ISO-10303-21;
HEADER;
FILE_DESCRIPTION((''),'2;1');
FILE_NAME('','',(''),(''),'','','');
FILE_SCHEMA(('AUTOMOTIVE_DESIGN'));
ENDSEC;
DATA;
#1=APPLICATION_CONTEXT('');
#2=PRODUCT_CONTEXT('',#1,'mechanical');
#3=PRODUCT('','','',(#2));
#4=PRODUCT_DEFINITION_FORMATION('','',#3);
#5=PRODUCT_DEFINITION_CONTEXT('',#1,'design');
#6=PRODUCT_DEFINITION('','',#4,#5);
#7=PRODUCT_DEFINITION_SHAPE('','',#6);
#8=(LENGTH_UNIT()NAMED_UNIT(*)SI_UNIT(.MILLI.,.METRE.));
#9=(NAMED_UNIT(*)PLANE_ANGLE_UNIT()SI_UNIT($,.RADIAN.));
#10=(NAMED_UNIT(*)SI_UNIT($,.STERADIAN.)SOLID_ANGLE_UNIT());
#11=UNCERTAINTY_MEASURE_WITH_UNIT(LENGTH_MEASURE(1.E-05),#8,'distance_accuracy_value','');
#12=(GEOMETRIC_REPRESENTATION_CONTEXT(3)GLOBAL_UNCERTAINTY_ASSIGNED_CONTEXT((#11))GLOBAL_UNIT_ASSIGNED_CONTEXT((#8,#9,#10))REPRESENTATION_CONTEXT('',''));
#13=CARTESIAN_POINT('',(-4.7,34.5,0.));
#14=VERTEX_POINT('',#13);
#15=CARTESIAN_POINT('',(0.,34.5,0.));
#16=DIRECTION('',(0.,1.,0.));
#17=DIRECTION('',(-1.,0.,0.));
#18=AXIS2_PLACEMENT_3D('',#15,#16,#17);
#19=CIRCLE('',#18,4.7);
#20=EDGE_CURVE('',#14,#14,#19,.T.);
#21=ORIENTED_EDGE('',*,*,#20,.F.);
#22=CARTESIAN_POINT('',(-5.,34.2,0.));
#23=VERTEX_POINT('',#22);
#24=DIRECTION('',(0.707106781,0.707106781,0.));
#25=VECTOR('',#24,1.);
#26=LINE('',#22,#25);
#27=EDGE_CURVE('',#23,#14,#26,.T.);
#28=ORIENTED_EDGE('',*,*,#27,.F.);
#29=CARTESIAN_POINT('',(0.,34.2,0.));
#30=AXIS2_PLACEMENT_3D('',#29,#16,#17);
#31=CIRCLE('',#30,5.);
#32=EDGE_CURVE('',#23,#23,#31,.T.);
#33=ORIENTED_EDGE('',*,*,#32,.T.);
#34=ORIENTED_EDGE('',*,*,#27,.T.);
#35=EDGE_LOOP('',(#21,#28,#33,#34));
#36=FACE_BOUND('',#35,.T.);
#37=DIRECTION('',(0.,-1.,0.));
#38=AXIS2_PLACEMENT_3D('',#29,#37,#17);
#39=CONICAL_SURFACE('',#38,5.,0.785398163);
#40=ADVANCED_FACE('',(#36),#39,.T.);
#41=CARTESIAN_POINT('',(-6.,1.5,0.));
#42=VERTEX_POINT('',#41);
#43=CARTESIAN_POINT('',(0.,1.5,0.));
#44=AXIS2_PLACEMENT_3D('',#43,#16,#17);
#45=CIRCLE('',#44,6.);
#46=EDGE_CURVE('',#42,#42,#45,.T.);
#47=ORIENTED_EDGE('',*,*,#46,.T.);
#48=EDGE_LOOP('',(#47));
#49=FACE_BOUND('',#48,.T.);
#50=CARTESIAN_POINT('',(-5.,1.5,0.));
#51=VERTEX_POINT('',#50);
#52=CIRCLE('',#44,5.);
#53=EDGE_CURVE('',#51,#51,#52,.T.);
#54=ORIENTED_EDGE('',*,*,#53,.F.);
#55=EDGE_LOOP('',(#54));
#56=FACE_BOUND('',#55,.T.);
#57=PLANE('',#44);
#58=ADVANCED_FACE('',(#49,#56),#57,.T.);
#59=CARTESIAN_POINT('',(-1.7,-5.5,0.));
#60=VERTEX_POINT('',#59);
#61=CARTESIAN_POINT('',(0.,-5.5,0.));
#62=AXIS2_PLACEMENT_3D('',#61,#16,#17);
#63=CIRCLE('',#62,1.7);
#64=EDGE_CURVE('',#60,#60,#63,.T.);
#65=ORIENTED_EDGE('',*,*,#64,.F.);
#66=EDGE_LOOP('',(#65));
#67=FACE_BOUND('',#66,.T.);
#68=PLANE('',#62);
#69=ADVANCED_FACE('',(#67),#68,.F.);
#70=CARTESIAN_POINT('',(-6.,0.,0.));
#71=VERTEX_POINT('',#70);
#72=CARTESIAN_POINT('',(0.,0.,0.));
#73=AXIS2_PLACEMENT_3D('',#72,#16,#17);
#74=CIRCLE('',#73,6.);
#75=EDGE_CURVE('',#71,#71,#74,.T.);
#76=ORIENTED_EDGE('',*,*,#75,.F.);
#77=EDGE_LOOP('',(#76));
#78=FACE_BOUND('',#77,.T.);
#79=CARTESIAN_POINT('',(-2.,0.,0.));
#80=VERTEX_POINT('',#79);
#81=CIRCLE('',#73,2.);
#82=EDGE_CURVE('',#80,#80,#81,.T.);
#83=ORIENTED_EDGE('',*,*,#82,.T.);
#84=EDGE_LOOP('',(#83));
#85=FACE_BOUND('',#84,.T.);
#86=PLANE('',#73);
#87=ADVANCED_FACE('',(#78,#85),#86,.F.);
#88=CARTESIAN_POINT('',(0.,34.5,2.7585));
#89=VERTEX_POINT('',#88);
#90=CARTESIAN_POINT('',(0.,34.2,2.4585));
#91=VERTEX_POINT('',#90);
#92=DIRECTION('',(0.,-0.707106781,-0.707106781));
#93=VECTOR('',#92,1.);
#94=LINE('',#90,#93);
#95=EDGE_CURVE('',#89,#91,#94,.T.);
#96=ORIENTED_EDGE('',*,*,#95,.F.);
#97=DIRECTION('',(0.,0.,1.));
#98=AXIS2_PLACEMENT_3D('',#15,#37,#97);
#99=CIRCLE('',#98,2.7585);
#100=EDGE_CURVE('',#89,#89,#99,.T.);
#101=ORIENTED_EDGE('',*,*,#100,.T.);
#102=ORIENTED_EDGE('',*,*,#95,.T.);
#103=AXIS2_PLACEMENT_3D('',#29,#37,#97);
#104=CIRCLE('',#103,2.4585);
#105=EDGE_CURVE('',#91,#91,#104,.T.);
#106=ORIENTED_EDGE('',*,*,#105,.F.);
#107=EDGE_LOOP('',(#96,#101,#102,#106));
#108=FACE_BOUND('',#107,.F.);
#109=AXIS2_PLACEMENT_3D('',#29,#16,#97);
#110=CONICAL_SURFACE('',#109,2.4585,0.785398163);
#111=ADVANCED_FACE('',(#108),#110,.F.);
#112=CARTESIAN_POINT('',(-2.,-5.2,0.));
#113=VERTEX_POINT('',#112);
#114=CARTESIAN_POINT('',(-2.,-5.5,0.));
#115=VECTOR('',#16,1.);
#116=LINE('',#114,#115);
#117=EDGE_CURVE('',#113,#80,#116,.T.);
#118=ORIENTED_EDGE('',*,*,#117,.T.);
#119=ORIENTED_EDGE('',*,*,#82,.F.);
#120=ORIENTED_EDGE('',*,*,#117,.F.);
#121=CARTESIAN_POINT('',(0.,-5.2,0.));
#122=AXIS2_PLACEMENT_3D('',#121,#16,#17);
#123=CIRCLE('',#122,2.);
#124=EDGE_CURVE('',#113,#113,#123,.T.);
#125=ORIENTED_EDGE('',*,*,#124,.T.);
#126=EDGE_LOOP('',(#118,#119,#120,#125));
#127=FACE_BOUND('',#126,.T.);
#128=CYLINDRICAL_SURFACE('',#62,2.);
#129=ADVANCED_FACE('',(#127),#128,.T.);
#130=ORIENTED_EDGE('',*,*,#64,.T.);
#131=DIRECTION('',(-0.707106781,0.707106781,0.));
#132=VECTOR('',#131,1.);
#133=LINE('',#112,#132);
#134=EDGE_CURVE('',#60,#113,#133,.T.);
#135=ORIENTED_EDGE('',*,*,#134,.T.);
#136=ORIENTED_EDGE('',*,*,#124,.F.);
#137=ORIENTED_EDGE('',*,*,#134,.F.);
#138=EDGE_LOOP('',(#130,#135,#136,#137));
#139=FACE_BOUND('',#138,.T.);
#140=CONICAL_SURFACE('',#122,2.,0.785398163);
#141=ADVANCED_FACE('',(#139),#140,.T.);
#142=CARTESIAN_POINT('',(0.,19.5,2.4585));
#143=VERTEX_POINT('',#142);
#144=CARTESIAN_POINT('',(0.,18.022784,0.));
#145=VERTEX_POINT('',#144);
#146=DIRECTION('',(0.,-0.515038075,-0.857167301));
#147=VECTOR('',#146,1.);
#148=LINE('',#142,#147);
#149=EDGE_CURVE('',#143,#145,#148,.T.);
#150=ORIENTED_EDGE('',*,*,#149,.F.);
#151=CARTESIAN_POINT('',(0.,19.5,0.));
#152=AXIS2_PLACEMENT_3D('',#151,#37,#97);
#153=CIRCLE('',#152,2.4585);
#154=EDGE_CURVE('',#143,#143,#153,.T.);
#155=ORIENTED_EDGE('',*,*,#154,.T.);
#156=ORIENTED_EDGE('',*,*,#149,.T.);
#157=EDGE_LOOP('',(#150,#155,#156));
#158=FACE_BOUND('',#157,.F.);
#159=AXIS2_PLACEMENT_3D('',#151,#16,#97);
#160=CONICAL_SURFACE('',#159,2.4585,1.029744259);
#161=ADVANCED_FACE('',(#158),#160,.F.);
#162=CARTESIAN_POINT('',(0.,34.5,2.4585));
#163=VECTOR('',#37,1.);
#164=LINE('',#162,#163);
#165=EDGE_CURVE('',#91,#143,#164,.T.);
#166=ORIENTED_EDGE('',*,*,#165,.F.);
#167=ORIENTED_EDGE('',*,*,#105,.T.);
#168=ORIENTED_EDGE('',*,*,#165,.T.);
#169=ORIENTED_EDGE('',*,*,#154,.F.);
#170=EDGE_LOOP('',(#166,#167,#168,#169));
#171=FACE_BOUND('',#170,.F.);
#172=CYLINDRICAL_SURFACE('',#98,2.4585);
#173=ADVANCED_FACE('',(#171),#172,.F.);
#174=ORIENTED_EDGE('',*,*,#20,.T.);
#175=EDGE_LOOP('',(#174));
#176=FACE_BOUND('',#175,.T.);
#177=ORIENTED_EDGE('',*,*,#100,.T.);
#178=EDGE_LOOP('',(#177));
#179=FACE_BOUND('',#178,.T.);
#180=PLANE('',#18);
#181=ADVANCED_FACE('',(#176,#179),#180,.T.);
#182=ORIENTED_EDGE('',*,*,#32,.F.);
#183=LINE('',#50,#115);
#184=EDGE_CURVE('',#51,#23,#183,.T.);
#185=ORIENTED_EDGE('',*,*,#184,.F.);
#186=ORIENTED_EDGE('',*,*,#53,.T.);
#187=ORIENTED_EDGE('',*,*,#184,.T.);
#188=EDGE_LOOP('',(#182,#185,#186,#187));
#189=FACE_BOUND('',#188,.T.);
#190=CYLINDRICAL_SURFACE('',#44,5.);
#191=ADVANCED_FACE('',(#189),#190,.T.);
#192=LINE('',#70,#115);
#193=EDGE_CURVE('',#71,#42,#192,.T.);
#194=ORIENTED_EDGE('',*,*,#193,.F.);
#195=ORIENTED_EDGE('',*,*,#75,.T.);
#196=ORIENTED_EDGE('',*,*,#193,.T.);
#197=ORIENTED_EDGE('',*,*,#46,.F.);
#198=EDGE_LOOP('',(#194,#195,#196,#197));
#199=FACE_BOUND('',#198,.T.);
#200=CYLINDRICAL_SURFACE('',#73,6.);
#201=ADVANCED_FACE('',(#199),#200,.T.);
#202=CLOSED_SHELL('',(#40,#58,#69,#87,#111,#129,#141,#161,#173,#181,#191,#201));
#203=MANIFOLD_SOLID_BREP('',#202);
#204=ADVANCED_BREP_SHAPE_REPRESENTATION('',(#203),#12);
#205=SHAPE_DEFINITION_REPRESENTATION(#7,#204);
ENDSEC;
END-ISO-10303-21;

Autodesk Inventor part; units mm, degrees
ref_plane "YZ Plane" through (0, 0, 0) normal (1, 0, 0) x (0, 1, 0)
ref_plane "XZ Plane" through (0, 0, 0) normal (0, 1, 0) x (-1, 0, 0)
ref_plane "XY Plane" through (0, 0, 0) normal (0, 0, 1) x (1, 0, 0)
sketch "Esboço1" plane through (0, 0, 0) normal (0, 0, 1) x (1, 0, 0)
  line L0 (-7.2, 0) -> (1.2, 0) construction
  line L1 (0, -13.5) -> (0, 42.5) construction
  line L2 (0, 34.5) -> (0, -5.5)
  line L3 (0, -5.5) -> (-2, -5.5)
  line L4 (-2, -5.5) -> (-2, 0)
  line L5 (-2, 0) -> (-6, 0)
  line L6 (-6, 0) -> (-6, 1.5)
  line L7 (-6, 1.5) -> (-5, 1.5)
  line L8 (-5, 1.5) -> (-5, 34.5)
  line L9 (-5, 34.5) -> (0, 34.5)
  point P0 (0, 0)
  dimension "d0" = 10
  dimension "d1" = 12
  dimension "d2" = 1.5
  dimension "d3" = 5.5
  dimension "d4" = 33
  dimension "d7" = 4
  dimension "d21" = 40
revolve "Revolução1" add sketch "Esboço1" angle 360 about axis through (0, -10, 0) along (0, 1, 0)
sketch "Esboço2" plane through (0, 34.5, 0) normal (0, 1, 0) x (1, 0, 0)
  circle A0 centre (0, 0) radius 5 projected
hole "Furo1" at (0, 34.5, 0) direction (0, -1, 0) diameter 4.917 depth 15 tip angle 118 thread size "M6x1" class "6H" standard "ISO Metric profile"
thread "Rosca1" size "M4x0.7" class "6g" standard "ANSI Metric M Profile" length 5
chamfer "Chanfro1" distance 0.3 angle 45 3 edges at (2, -5.5, 0) (5, 34.5, 0) (0, 34.5, -2.4585)
properties part number "Compensador Haste" material "Aço SAE 1045"
